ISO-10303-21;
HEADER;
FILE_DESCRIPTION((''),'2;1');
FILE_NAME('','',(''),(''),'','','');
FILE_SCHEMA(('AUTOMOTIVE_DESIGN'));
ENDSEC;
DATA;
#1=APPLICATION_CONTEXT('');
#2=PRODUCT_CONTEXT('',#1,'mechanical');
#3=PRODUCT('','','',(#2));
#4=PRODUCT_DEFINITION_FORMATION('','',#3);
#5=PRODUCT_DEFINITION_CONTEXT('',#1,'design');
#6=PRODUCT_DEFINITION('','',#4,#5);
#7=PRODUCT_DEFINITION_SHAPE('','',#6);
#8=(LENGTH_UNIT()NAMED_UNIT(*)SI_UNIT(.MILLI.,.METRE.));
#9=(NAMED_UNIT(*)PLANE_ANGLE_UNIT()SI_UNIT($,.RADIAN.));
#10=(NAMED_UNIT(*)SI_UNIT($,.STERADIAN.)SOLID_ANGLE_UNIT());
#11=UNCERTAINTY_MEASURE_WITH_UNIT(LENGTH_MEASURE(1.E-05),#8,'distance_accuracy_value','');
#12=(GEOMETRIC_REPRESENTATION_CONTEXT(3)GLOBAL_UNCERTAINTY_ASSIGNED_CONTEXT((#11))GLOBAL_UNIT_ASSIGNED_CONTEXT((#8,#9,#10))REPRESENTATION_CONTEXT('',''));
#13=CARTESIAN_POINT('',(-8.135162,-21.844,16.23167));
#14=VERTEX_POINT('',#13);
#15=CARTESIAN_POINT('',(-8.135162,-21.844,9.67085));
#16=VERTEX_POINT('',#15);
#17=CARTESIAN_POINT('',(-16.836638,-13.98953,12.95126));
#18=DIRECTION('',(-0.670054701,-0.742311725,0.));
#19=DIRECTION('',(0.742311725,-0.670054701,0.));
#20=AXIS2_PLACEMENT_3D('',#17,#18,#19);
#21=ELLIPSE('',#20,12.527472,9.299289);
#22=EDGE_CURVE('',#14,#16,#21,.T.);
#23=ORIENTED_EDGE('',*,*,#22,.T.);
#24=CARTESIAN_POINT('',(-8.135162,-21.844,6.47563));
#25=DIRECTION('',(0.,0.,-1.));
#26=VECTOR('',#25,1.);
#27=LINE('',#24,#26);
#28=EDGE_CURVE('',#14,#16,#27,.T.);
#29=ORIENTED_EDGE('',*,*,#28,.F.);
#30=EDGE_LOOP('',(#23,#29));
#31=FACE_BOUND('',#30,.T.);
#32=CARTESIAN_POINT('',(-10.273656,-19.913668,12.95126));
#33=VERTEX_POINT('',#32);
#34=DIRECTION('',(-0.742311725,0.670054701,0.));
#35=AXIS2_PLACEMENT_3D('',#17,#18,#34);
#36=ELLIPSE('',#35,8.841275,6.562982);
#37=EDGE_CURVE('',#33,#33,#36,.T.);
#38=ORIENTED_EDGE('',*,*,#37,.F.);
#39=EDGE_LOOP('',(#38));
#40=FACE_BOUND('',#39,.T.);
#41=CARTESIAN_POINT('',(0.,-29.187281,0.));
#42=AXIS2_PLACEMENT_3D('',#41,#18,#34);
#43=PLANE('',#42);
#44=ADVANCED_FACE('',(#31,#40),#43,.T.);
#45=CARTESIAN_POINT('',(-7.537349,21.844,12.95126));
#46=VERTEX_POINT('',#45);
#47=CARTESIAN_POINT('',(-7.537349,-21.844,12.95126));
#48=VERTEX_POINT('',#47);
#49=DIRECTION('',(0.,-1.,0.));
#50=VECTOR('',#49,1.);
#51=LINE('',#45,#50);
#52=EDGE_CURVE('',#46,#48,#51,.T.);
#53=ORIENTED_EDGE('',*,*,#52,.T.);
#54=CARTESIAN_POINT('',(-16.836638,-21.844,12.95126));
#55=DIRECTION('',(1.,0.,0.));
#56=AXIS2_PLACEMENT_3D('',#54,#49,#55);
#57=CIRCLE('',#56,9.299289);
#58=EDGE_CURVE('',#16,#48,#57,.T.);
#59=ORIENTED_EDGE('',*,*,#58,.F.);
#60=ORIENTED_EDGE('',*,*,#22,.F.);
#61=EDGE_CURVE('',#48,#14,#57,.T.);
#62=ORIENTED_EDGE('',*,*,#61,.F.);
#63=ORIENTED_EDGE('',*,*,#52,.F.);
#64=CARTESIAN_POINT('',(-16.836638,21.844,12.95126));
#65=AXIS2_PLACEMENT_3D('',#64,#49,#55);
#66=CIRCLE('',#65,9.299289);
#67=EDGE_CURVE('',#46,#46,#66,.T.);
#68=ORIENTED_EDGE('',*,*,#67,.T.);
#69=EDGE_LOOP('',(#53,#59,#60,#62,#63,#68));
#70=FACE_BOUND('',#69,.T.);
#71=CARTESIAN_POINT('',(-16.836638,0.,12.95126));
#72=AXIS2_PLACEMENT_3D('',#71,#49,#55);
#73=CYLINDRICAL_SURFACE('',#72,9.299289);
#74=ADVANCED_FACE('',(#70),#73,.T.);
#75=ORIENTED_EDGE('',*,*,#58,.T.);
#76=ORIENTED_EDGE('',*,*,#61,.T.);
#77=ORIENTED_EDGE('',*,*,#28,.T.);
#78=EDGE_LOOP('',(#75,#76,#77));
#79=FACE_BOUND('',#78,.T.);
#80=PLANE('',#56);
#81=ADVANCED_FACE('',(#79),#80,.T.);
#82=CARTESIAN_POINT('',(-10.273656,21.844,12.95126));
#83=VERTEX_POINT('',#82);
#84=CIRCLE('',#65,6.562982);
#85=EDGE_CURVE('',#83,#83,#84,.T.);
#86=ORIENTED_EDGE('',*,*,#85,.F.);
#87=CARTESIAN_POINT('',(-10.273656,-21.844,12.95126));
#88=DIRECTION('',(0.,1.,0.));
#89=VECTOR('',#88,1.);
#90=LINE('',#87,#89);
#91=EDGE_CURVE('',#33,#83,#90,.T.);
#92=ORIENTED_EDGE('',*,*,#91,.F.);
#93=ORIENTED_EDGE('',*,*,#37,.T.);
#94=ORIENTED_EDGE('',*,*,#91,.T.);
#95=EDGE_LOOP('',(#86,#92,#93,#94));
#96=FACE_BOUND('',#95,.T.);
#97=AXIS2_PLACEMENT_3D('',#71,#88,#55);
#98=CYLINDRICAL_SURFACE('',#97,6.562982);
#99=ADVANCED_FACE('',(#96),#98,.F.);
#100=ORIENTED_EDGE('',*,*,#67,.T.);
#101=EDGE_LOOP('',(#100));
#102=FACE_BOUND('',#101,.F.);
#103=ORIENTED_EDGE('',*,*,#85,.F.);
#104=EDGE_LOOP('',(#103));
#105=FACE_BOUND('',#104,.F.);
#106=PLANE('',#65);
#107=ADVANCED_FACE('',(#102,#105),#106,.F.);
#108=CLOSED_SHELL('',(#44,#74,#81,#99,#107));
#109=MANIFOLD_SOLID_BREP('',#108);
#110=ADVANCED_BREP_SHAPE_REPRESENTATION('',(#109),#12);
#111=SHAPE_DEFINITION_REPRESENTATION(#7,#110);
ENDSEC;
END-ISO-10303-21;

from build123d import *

# Parameters (mm, degrees)
F0_R     = 9.299289
F0_R_2   = 6.562982
F1_DEPTH = 21.844
F3_DEPTH = 25.4


with BuildPart() as f1:
    # F0 (on Front) → F1 (new body, symmetric)
    with BuildSketch(Plane.XZ):
        with Locations((-16.836638, 12.95126)):
            Circle(F0_R)
        with Locations((-16.836638, 12.95126)):
            Circle(F0_R_2, mode=Mode.SUBTRACT)
    extrude(amount=F1_DEPTH, both=True)

    # F2 (on Top) → F3 (cut)
    with BuildSketch(Plane.XY):
        Polygon((-33.079948, -29.187281), (0, -29.187281), (-33.079948, 0.672647), align=None)
    extrude(amount=F3_DEPTH, mode=Mode.SUBTRACT)


solid = f1.part
